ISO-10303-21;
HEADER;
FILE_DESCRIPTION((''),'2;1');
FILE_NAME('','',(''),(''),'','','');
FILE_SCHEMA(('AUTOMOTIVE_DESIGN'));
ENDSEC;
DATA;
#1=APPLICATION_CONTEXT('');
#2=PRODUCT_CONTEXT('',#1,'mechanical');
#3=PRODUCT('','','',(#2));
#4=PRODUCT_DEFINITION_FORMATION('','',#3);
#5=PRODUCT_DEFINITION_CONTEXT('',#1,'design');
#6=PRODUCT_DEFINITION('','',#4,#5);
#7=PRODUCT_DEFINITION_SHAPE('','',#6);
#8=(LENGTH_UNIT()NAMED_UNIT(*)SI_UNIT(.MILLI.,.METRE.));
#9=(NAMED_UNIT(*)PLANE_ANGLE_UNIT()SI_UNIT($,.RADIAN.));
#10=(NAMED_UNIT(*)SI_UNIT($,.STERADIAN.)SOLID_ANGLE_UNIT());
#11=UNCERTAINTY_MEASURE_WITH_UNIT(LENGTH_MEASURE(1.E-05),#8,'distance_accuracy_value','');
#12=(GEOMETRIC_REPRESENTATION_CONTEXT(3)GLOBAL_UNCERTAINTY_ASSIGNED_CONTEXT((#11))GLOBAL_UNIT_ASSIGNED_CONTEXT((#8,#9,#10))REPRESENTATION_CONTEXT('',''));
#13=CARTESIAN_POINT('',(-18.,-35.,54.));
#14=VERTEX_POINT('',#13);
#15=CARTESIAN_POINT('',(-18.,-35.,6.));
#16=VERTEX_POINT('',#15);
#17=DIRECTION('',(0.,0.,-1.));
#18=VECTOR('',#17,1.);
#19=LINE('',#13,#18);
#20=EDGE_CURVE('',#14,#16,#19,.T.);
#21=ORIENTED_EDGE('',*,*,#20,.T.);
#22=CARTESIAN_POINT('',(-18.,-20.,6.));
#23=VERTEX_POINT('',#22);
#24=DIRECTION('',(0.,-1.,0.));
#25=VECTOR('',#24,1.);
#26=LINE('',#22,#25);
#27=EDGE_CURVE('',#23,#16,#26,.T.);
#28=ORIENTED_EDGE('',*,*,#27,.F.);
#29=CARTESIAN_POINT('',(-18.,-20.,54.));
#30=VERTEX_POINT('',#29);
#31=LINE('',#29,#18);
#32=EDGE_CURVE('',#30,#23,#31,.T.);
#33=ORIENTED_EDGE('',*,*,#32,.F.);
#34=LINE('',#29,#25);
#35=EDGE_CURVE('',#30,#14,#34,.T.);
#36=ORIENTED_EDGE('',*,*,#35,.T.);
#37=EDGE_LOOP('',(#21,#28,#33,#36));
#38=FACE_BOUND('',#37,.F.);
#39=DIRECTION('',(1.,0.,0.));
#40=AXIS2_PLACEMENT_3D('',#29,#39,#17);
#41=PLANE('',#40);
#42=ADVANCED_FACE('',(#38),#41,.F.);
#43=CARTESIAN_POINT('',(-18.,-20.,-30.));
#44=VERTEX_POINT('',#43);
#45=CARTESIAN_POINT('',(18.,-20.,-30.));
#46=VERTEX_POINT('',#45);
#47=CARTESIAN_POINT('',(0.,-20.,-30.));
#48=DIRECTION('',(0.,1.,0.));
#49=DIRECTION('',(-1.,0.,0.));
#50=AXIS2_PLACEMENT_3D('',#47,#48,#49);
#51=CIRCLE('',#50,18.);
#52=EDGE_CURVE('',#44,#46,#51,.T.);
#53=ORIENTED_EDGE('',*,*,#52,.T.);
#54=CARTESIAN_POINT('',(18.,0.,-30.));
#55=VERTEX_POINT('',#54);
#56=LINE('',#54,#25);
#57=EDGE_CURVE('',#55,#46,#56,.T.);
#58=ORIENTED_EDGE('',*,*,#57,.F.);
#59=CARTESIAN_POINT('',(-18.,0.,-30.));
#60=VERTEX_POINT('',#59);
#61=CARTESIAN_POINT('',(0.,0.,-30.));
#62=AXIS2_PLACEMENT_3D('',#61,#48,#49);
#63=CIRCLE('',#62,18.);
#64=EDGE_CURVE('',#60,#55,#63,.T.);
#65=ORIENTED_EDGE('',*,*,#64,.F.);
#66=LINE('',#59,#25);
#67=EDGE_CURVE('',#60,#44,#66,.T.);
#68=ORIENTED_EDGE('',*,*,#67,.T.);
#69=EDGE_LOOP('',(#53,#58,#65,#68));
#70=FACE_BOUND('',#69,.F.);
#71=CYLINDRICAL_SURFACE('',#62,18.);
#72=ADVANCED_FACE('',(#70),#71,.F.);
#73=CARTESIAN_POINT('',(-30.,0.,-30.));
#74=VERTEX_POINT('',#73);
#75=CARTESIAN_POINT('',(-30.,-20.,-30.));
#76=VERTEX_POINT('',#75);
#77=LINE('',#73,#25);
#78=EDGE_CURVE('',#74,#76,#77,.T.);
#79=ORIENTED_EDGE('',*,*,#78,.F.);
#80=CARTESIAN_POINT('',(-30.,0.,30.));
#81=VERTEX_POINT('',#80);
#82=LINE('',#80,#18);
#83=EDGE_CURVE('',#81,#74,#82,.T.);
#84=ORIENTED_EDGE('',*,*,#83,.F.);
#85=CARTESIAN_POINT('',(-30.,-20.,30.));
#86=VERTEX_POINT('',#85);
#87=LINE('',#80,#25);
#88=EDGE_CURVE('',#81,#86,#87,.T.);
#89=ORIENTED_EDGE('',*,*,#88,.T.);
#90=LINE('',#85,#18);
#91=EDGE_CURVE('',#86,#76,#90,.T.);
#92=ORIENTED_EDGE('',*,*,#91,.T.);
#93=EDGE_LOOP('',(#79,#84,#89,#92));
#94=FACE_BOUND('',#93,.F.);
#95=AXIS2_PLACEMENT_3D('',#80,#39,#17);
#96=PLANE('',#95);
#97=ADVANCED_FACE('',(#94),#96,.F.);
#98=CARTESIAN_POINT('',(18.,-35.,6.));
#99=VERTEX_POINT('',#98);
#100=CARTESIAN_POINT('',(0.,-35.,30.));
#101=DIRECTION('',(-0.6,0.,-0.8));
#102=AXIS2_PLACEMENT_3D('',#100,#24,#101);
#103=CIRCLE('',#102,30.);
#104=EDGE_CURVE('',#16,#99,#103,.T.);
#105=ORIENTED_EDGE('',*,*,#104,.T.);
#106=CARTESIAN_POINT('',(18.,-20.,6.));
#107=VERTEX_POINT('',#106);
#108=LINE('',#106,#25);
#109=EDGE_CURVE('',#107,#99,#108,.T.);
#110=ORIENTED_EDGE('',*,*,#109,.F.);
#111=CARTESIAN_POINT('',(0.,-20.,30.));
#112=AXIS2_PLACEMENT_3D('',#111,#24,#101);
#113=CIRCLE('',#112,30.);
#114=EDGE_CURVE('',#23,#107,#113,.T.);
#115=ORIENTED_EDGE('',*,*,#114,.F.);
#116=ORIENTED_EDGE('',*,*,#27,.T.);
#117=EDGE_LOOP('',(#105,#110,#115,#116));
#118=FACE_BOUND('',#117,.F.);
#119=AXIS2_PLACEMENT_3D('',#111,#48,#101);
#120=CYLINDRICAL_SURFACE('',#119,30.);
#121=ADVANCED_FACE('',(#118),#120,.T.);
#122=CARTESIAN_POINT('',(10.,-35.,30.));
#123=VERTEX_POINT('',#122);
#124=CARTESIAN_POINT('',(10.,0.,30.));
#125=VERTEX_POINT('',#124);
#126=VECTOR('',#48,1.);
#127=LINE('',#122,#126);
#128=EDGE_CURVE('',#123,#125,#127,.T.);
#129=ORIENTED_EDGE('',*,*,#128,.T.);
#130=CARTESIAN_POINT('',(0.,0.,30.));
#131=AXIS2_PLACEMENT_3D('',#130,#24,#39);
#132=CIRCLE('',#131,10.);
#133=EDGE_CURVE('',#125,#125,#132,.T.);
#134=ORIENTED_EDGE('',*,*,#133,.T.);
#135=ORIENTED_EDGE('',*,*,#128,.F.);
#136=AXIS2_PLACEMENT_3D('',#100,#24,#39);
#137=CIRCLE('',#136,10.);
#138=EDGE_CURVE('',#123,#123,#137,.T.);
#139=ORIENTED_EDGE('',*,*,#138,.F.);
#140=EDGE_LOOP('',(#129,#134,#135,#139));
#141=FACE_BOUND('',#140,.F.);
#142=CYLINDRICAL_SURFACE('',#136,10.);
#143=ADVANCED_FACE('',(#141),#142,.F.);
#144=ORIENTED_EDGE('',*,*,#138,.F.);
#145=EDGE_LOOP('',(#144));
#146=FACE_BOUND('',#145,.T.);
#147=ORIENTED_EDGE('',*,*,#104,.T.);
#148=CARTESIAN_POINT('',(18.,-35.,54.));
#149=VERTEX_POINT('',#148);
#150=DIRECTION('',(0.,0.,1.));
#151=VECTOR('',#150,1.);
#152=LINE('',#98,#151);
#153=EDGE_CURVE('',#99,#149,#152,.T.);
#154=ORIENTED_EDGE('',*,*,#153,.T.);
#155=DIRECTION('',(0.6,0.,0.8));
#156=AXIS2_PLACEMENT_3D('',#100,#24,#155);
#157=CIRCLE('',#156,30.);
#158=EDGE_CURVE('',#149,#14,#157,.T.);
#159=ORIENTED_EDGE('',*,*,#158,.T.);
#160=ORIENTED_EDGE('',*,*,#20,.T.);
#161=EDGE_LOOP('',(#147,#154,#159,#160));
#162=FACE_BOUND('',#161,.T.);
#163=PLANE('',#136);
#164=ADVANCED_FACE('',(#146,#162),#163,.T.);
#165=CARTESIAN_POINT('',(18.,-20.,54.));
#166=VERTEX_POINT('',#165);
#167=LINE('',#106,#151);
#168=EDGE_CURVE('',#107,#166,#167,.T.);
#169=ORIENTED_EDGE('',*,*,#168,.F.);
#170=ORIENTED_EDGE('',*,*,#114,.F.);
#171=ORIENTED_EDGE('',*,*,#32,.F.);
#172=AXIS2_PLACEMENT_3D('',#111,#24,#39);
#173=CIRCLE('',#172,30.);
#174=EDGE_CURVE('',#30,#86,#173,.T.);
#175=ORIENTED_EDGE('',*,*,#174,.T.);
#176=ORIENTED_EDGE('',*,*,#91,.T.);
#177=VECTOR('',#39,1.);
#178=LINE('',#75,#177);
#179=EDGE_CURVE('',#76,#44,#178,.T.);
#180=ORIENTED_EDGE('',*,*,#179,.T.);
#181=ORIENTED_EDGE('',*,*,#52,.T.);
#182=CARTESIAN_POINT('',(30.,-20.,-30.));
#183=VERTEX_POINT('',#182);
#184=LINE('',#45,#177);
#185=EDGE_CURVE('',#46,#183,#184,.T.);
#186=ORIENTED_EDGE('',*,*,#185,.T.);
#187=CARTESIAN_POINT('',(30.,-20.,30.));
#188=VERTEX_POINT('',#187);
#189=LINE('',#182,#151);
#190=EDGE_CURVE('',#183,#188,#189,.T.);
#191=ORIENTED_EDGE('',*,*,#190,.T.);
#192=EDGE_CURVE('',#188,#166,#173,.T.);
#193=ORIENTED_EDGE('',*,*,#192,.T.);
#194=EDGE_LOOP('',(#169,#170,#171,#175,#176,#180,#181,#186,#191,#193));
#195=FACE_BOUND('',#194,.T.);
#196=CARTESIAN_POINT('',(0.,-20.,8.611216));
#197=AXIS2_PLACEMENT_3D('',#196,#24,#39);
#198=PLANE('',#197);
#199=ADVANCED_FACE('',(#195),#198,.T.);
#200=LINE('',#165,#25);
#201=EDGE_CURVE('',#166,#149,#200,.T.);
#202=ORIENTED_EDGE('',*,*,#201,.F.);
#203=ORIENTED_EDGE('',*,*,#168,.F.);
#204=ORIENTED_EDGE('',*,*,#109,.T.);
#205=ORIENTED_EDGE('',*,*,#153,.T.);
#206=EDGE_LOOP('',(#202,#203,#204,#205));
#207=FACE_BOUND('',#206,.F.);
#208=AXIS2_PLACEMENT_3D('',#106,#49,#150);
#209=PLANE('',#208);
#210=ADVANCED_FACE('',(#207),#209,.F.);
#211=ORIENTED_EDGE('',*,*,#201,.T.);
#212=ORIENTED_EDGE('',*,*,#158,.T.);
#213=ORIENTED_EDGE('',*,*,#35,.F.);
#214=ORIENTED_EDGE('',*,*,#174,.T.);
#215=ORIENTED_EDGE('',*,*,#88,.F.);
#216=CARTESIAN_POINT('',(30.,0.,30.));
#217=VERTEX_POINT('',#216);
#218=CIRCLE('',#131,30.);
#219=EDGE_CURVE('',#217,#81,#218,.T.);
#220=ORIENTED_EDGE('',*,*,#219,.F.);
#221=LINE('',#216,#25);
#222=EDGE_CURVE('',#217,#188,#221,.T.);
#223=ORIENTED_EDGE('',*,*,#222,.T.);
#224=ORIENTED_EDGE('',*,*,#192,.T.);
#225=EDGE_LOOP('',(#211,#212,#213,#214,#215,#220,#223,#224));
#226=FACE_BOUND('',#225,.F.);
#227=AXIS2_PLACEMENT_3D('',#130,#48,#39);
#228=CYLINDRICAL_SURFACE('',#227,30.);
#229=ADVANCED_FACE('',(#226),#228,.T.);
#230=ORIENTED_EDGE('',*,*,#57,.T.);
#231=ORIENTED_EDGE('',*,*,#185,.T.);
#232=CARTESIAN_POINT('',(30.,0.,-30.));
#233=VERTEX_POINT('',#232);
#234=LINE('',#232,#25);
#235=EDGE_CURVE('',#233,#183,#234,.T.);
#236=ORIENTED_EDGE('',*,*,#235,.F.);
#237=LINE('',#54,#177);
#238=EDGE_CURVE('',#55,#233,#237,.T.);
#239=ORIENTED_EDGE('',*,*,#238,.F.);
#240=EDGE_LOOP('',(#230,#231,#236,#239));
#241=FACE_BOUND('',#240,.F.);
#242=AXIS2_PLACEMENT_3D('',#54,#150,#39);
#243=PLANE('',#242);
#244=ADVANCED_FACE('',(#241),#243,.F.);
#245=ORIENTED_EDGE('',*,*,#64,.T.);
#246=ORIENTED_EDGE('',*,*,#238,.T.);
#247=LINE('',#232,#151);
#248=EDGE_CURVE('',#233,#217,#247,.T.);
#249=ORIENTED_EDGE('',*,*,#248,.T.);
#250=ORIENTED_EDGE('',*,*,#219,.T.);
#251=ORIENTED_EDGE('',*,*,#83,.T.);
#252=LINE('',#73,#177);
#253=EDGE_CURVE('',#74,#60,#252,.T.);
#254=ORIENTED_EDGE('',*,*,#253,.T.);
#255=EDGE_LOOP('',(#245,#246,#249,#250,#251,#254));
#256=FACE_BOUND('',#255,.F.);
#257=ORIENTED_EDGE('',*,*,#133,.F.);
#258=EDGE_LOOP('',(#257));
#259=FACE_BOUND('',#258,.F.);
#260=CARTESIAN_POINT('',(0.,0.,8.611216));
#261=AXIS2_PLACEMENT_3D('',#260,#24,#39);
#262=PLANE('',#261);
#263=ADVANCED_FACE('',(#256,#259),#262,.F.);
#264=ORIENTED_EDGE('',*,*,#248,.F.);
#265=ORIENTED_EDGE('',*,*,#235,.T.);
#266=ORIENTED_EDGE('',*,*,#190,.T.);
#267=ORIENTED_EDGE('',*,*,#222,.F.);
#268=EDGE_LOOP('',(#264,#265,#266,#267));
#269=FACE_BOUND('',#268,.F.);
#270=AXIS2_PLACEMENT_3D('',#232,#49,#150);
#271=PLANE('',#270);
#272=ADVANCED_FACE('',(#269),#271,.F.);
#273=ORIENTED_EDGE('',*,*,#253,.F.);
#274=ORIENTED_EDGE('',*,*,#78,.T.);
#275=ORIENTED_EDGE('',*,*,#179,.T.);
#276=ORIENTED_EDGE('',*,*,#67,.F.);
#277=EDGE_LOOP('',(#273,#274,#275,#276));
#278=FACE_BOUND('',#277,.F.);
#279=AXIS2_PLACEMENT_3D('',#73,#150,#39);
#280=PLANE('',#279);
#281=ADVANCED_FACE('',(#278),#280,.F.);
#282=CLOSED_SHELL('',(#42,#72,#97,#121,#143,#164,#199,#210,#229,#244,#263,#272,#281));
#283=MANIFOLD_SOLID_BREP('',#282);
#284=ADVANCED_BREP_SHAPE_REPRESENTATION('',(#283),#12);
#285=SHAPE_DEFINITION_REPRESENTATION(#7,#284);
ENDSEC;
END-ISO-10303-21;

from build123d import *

# Parameters (mm, degrees)
F1_DEPTH = 20
F3_DEPTH = 15
F4_R     = 10
F5_DEPTH = 35.001


with BuildPart() as f1:
    # F0 (on Front) → F1 (new body)
    with BuildSketch(Plane.XZ):
        with BuildLine():
            Line((18, -30), (30, -30))
            Line((30, -30), (30, 30))
            ThreePointArc((30, 30), (0, 60), (-30, 30))
            Line((-30, 30), (-30, -30))
            Line((-30, -30), (-18, -30))
            ThreePointArc((-18, -30), (0, -12), (18, -30))
        make_face()
    extrude(amount=F1_DEPTH)

    # F2 (on face) → F3 (join)
    with BuildSketch(Plane.XZ.offset(20)):
        with BuildLine():
            Line((-18, 30), (-18, 6))
            ThreePointArc((-18, 6), (0, 0), (18, 6))
            Line((18, 6), (18, 30))
            Line((18, 30), (18, 54))
            ThreePointArc((18, 54), (0, 60), (-18, 54))
            Line((-18, 54), (-18, 30))
        make_face()
    extrude(amount=F3_DEPTH)

    # F4 (on face) → F5 (cut, through all)
    with BuildSketch(Plane.XZ.offset(35)):
        with Locations((0, 30)):
            Circle(F4_R)
    extrude(amount=-F5_DEPTH, mode=Mode.SUBTRACT)


solid = f1.part
